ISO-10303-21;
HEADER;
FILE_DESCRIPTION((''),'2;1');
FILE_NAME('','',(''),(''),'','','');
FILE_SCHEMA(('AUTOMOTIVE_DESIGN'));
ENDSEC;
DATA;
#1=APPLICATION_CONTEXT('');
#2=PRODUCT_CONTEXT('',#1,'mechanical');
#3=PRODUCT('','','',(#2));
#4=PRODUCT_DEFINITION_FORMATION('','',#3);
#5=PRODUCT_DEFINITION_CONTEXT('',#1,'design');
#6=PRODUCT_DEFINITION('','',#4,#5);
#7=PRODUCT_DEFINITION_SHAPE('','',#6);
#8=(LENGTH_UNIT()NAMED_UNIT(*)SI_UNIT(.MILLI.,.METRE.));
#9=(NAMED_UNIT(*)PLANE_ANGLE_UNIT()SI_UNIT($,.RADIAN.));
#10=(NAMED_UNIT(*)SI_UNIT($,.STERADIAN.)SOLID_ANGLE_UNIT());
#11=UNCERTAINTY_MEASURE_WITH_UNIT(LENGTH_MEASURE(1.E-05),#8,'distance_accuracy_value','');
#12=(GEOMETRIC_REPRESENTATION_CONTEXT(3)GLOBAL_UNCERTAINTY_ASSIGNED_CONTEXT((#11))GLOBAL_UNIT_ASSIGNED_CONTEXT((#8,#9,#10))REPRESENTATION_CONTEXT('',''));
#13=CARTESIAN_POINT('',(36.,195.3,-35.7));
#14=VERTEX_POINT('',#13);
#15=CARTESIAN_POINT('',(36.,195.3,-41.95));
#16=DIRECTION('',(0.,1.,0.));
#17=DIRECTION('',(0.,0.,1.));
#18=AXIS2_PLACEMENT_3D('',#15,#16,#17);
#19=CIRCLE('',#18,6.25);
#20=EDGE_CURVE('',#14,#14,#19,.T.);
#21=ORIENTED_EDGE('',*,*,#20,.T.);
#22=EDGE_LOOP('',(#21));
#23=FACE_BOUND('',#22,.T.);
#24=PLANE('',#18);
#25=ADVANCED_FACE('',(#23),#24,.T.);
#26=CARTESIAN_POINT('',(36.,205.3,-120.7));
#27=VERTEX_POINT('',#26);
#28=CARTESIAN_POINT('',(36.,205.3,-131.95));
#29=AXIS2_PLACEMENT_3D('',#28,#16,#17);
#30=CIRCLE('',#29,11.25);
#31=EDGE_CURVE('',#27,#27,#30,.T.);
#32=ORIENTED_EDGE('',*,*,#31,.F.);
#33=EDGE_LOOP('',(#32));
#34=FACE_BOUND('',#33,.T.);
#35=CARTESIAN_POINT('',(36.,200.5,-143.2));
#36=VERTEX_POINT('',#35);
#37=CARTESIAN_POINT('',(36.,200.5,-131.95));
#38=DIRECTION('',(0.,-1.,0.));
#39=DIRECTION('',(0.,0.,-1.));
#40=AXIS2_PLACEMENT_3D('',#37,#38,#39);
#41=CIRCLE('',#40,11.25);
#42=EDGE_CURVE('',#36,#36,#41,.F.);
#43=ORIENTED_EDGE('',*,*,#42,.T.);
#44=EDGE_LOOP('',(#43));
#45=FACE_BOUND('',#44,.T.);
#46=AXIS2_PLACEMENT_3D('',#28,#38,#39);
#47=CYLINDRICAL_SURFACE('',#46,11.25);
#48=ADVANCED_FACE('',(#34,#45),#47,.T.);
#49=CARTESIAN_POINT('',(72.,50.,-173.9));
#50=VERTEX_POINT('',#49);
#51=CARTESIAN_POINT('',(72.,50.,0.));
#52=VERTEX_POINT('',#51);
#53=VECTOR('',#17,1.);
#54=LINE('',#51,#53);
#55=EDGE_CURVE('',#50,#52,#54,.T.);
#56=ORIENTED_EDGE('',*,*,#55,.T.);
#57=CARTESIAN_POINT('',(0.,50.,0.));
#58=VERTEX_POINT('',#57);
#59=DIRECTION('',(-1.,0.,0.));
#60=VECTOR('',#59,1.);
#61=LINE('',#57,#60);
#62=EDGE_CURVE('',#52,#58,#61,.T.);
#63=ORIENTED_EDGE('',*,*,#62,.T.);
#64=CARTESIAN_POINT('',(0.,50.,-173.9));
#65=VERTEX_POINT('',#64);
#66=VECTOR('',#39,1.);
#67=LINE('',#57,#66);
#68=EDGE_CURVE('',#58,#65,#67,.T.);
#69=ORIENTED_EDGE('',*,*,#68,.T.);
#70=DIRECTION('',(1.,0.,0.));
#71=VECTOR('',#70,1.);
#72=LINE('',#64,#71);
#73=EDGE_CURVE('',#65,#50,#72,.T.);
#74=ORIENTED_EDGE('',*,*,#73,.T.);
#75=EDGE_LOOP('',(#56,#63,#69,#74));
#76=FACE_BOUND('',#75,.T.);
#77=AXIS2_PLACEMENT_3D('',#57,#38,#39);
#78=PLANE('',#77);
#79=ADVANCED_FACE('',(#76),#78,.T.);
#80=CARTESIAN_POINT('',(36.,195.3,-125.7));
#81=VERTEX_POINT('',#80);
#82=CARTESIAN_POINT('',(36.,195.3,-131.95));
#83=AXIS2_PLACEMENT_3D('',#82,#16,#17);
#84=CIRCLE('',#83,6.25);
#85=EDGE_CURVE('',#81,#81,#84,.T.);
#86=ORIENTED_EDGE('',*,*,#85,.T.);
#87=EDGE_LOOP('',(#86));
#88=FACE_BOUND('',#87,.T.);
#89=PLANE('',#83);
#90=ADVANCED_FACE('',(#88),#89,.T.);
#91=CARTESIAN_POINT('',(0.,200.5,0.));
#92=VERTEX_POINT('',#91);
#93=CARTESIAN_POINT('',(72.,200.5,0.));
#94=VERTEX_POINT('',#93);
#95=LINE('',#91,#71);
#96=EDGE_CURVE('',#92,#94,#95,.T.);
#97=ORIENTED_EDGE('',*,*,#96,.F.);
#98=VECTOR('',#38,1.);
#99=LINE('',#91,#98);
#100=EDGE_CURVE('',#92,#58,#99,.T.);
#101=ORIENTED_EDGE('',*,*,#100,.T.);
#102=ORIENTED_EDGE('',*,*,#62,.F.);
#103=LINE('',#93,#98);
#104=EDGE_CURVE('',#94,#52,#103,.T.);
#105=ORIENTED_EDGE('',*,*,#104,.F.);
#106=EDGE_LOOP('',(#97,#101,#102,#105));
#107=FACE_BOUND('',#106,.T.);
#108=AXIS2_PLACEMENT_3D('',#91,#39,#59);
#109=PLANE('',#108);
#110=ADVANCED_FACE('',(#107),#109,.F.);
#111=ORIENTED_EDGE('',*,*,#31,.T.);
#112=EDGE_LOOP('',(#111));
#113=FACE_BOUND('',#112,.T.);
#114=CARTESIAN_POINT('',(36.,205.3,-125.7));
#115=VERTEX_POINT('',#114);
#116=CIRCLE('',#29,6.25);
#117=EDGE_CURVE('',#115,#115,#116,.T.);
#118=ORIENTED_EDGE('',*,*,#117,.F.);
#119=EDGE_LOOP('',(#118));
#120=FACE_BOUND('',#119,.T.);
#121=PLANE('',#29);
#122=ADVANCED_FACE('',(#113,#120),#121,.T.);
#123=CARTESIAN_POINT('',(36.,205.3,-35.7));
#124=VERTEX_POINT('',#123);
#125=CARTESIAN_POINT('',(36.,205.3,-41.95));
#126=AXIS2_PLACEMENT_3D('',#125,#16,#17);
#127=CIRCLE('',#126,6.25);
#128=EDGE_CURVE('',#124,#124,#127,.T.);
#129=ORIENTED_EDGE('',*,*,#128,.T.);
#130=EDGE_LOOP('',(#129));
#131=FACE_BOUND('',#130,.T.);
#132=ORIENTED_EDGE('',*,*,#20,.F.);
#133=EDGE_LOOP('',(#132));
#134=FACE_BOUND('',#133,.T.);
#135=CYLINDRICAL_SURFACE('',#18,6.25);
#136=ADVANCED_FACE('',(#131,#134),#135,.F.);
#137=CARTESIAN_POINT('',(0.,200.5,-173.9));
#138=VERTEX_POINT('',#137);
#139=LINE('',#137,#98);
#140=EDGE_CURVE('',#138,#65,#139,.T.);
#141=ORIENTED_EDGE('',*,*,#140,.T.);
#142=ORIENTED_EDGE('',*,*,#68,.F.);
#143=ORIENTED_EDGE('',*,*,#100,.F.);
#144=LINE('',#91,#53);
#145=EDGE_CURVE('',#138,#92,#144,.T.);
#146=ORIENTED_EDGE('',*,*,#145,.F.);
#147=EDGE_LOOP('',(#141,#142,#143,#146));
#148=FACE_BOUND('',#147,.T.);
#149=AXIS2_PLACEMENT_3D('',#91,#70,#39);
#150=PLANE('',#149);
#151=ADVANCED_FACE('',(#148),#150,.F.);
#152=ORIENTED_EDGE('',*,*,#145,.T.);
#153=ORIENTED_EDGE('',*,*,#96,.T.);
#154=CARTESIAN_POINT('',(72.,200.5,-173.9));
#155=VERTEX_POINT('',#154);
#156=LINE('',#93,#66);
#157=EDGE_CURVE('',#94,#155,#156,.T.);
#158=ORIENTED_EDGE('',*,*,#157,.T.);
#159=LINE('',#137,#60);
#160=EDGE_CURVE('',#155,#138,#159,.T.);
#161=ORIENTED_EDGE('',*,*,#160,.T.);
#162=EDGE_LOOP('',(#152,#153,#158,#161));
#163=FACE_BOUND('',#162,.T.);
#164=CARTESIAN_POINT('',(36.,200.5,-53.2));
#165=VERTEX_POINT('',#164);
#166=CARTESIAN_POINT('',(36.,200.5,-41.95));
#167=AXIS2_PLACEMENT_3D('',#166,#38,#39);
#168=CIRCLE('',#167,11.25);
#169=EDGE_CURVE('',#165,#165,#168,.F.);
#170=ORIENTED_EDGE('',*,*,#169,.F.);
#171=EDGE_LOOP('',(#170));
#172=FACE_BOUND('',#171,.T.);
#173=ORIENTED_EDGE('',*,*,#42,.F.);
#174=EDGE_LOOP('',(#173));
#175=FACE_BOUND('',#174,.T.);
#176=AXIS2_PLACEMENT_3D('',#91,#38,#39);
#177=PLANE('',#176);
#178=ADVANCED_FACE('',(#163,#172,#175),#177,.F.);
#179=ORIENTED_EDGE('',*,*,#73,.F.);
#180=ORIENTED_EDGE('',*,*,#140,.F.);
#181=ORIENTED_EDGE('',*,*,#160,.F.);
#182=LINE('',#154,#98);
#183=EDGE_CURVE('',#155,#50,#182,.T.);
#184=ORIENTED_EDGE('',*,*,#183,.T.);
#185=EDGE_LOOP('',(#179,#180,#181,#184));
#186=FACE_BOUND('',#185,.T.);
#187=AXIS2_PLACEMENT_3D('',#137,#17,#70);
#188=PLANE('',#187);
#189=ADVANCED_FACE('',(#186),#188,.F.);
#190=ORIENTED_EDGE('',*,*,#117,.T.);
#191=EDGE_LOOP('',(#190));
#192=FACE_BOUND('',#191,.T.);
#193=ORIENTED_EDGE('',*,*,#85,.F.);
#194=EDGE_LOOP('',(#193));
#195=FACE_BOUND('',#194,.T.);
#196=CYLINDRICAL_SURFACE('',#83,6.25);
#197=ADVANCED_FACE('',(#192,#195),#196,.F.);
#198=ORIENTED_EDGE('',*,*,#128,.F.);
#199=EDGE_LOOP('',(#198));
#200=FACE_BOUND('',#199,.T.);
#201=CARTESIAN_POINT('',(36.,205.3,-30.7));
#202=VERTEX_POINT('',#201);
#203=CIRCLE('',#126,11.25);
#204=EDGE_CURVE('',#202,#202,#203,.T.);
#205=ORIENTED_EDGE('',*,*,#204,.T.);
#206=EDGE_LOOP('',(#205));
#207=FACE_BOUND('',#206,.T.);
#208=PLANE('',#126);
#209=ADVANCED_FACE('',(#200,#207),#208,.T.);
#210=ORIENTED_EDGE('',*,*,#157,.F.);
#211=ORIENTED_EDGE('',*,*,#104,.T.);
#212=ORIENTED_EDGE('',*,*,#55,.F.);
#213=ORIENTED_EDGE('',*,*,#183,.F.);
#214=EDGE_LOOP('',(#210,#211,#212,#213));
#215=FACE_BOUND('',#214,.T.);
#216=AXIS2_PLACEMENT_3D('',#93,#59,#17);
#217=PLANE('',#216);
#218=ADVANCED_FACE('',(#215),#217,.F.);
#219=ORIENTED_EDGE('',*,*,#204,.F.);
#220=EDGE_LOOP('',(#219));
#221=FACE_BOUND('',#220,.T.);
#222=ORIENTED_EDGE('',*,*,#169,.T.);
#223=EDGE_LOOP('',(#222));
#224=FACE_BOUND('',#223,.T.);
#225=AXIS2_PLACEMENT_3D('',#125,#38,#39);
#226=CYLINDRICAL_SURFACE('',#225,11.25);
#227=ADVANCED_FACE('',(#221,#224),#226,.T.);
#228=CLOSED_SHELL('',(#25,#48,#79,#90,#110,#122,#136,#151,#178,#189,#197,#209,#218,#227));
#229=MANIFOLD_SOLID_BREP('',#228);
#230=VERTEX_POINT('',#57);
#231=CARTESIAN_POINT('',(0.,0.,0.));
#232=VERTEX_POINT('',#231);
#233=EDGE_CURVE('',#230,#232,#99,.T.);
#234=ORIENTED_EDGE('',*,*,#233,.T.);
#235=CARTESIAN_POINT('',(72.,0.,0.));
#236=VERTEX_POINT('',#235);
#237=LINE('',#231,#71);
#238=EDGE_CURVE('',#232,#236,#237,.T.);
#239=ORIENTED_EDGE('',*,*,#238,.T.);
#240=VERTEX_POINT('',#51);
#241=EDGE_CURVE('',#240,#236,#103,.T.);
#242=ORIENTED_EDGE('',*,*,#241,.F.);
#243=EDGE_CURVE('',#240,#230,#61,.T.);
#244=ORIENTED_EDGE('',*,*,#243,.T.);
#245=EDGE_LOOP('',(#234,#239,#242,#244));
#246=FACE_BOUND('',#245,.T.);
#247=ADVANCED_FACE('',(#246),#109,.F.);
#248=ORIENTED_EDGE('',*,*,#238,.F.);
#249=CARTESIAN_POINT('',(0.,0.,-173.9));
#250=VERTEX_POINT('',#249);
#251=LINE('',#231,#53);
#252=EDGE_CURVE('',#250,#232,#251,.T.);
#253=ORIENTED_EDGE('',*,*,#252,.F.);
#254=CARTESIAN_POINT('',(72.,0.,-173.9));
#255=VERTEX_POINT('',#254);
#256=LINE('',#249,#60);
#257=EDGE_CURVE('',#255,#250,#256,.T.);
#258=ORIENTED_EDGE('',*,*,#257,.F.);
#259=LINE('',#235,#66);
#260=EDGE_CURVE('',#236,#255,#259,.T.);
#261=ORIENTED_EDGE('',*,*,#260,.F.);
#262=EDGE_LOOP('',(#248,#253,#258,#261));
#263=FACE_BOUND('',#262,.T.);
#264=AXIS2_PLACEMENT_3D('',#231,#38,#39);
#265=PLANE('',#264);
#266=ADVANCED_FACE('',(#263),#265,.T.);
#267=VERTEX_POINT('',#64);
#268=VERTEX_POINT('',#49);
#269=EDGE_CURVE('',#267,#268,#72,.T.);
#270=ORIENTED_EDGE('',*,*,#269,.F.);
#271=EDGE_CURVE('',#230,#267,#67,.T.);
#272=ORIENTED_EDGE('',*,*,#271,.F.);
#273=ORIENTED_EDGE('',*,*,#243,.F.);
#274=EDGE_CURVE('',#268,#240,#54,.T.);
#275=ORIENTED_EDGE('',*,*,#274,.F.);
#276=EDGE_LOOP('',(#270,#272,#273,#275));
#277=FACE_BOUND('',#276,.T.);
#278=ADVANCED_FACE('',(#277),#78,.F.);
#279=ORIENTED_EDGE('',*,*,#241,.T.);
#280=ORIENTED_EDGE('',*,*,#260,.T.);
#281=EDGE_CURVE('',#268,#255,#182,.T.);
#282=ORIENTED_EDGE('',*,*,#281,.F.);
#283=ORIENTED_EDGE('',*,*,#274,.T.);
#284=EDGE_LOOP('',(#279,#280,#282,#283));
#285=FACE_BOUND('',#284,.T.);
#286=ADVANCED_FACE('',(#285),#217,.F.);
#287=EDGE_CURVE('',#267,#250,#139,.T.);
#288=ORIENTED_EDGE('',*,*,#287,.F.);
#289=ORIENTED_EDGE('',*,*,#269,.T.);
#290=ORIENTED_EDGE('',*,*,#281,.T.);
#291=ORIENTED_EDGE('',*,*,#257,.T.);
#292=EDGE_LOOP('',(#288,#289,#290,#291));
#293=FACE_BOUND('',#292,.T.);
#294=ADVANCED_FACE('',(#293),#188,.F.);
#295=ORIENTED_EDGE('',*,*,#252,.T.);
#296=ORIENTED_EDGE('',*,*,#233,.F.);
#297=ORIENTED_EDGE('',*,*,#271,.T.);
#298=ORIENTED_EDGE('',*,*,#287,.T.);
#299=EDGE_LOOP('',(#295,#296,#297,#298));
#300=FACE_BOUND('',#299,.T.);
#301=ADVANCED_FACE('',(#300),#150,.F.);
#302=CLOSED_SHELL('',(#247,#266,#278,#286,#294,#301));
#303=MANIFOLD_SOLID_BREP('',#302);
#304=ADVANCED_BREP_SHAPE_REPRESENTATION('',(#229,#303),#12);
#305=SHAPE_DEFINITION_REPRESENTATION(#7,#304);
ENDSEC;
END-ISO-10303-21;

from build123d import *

# Parameters (mm, degrees)
SKETCH1_W           = 72
SKETCH1_H           = 173.9
BOSS_EXTRUDE1_DEPTH = 200.5
SKETCH2_R           = 11.25
BOSS_EXTRUDE2_DEPTH = 4.8
SKETCH6_R           = 6.25
CUT_EXTRUDE1_DEPTH  = 10


with BuildPart() as part:
    # Sketch1 → Boss-Extrude1 (new body)
    with BuildSketch(Plane(origin=(0, 0, 0), x_dir=(1, 0, 0), z_dir=(0, 1, 0))):
        with Locations((36, 86.95)):
            Rectangle(SKETCH1_W, SKETCH1_H)
    extrude(amount=BOSS_EXTRUDE1_DEPTH)

    # Sketch2 → Boss-Extrude2 (add)
    with BuildSketch(Plane(origin=(0, 200.5, 0), x_dir=(1, 0, 0), z_dir=(0, 1, 0))):
        with Locations(Location((36, 131.95, 0), (0, 0, 90))):
            Circle(SKETCH2_R)
        with Locations(Location((36, 41.95, 0), (0, 0, 90))):
            Circle(SKETCH2_R)
    extrude(amount=BOSS_EXTRUDE2_DEPTH)


with BuildPart() as body_2:
    # Split1: the piece on the far side of the plane
    add(part.part)
    split(bisect_by=Plane(origin=(0, 50, 0), x_dir=(0, 0, -1), z_dir=(0, -1, 0)), keep=Keep.BOTTOM)

    # Sketch6 → Cut-Extrude1 (cut)
    with BuildSketch(Plane(origin=(0, 205.3, 0), x_dir=(1, 0, 0), z_dir=(0, 1, 0))):
        with Locations(Location((36, 131.95, 0), (0, 0, 270))):
            Circle(SKETCH6_R)
        with Locations(Location((36, 41.95, 0), (0, 0, 270))):
            Circle(SKETCH6_R)
    extrude(amount=-CUT_EXTRUDE1_DEPTH, mode=Mode.SUBTRACT)


with BuildPart() as part_1:
    add(part.part)

    # Split1
    split(bisect_by=Plane(origin=(0, 50, 0), x_dir=(0, 0, -1), z_dir=(0, -1, 0)), keep=Keep.TOP)


solid = Compound([body_2.part, part_1.part])
